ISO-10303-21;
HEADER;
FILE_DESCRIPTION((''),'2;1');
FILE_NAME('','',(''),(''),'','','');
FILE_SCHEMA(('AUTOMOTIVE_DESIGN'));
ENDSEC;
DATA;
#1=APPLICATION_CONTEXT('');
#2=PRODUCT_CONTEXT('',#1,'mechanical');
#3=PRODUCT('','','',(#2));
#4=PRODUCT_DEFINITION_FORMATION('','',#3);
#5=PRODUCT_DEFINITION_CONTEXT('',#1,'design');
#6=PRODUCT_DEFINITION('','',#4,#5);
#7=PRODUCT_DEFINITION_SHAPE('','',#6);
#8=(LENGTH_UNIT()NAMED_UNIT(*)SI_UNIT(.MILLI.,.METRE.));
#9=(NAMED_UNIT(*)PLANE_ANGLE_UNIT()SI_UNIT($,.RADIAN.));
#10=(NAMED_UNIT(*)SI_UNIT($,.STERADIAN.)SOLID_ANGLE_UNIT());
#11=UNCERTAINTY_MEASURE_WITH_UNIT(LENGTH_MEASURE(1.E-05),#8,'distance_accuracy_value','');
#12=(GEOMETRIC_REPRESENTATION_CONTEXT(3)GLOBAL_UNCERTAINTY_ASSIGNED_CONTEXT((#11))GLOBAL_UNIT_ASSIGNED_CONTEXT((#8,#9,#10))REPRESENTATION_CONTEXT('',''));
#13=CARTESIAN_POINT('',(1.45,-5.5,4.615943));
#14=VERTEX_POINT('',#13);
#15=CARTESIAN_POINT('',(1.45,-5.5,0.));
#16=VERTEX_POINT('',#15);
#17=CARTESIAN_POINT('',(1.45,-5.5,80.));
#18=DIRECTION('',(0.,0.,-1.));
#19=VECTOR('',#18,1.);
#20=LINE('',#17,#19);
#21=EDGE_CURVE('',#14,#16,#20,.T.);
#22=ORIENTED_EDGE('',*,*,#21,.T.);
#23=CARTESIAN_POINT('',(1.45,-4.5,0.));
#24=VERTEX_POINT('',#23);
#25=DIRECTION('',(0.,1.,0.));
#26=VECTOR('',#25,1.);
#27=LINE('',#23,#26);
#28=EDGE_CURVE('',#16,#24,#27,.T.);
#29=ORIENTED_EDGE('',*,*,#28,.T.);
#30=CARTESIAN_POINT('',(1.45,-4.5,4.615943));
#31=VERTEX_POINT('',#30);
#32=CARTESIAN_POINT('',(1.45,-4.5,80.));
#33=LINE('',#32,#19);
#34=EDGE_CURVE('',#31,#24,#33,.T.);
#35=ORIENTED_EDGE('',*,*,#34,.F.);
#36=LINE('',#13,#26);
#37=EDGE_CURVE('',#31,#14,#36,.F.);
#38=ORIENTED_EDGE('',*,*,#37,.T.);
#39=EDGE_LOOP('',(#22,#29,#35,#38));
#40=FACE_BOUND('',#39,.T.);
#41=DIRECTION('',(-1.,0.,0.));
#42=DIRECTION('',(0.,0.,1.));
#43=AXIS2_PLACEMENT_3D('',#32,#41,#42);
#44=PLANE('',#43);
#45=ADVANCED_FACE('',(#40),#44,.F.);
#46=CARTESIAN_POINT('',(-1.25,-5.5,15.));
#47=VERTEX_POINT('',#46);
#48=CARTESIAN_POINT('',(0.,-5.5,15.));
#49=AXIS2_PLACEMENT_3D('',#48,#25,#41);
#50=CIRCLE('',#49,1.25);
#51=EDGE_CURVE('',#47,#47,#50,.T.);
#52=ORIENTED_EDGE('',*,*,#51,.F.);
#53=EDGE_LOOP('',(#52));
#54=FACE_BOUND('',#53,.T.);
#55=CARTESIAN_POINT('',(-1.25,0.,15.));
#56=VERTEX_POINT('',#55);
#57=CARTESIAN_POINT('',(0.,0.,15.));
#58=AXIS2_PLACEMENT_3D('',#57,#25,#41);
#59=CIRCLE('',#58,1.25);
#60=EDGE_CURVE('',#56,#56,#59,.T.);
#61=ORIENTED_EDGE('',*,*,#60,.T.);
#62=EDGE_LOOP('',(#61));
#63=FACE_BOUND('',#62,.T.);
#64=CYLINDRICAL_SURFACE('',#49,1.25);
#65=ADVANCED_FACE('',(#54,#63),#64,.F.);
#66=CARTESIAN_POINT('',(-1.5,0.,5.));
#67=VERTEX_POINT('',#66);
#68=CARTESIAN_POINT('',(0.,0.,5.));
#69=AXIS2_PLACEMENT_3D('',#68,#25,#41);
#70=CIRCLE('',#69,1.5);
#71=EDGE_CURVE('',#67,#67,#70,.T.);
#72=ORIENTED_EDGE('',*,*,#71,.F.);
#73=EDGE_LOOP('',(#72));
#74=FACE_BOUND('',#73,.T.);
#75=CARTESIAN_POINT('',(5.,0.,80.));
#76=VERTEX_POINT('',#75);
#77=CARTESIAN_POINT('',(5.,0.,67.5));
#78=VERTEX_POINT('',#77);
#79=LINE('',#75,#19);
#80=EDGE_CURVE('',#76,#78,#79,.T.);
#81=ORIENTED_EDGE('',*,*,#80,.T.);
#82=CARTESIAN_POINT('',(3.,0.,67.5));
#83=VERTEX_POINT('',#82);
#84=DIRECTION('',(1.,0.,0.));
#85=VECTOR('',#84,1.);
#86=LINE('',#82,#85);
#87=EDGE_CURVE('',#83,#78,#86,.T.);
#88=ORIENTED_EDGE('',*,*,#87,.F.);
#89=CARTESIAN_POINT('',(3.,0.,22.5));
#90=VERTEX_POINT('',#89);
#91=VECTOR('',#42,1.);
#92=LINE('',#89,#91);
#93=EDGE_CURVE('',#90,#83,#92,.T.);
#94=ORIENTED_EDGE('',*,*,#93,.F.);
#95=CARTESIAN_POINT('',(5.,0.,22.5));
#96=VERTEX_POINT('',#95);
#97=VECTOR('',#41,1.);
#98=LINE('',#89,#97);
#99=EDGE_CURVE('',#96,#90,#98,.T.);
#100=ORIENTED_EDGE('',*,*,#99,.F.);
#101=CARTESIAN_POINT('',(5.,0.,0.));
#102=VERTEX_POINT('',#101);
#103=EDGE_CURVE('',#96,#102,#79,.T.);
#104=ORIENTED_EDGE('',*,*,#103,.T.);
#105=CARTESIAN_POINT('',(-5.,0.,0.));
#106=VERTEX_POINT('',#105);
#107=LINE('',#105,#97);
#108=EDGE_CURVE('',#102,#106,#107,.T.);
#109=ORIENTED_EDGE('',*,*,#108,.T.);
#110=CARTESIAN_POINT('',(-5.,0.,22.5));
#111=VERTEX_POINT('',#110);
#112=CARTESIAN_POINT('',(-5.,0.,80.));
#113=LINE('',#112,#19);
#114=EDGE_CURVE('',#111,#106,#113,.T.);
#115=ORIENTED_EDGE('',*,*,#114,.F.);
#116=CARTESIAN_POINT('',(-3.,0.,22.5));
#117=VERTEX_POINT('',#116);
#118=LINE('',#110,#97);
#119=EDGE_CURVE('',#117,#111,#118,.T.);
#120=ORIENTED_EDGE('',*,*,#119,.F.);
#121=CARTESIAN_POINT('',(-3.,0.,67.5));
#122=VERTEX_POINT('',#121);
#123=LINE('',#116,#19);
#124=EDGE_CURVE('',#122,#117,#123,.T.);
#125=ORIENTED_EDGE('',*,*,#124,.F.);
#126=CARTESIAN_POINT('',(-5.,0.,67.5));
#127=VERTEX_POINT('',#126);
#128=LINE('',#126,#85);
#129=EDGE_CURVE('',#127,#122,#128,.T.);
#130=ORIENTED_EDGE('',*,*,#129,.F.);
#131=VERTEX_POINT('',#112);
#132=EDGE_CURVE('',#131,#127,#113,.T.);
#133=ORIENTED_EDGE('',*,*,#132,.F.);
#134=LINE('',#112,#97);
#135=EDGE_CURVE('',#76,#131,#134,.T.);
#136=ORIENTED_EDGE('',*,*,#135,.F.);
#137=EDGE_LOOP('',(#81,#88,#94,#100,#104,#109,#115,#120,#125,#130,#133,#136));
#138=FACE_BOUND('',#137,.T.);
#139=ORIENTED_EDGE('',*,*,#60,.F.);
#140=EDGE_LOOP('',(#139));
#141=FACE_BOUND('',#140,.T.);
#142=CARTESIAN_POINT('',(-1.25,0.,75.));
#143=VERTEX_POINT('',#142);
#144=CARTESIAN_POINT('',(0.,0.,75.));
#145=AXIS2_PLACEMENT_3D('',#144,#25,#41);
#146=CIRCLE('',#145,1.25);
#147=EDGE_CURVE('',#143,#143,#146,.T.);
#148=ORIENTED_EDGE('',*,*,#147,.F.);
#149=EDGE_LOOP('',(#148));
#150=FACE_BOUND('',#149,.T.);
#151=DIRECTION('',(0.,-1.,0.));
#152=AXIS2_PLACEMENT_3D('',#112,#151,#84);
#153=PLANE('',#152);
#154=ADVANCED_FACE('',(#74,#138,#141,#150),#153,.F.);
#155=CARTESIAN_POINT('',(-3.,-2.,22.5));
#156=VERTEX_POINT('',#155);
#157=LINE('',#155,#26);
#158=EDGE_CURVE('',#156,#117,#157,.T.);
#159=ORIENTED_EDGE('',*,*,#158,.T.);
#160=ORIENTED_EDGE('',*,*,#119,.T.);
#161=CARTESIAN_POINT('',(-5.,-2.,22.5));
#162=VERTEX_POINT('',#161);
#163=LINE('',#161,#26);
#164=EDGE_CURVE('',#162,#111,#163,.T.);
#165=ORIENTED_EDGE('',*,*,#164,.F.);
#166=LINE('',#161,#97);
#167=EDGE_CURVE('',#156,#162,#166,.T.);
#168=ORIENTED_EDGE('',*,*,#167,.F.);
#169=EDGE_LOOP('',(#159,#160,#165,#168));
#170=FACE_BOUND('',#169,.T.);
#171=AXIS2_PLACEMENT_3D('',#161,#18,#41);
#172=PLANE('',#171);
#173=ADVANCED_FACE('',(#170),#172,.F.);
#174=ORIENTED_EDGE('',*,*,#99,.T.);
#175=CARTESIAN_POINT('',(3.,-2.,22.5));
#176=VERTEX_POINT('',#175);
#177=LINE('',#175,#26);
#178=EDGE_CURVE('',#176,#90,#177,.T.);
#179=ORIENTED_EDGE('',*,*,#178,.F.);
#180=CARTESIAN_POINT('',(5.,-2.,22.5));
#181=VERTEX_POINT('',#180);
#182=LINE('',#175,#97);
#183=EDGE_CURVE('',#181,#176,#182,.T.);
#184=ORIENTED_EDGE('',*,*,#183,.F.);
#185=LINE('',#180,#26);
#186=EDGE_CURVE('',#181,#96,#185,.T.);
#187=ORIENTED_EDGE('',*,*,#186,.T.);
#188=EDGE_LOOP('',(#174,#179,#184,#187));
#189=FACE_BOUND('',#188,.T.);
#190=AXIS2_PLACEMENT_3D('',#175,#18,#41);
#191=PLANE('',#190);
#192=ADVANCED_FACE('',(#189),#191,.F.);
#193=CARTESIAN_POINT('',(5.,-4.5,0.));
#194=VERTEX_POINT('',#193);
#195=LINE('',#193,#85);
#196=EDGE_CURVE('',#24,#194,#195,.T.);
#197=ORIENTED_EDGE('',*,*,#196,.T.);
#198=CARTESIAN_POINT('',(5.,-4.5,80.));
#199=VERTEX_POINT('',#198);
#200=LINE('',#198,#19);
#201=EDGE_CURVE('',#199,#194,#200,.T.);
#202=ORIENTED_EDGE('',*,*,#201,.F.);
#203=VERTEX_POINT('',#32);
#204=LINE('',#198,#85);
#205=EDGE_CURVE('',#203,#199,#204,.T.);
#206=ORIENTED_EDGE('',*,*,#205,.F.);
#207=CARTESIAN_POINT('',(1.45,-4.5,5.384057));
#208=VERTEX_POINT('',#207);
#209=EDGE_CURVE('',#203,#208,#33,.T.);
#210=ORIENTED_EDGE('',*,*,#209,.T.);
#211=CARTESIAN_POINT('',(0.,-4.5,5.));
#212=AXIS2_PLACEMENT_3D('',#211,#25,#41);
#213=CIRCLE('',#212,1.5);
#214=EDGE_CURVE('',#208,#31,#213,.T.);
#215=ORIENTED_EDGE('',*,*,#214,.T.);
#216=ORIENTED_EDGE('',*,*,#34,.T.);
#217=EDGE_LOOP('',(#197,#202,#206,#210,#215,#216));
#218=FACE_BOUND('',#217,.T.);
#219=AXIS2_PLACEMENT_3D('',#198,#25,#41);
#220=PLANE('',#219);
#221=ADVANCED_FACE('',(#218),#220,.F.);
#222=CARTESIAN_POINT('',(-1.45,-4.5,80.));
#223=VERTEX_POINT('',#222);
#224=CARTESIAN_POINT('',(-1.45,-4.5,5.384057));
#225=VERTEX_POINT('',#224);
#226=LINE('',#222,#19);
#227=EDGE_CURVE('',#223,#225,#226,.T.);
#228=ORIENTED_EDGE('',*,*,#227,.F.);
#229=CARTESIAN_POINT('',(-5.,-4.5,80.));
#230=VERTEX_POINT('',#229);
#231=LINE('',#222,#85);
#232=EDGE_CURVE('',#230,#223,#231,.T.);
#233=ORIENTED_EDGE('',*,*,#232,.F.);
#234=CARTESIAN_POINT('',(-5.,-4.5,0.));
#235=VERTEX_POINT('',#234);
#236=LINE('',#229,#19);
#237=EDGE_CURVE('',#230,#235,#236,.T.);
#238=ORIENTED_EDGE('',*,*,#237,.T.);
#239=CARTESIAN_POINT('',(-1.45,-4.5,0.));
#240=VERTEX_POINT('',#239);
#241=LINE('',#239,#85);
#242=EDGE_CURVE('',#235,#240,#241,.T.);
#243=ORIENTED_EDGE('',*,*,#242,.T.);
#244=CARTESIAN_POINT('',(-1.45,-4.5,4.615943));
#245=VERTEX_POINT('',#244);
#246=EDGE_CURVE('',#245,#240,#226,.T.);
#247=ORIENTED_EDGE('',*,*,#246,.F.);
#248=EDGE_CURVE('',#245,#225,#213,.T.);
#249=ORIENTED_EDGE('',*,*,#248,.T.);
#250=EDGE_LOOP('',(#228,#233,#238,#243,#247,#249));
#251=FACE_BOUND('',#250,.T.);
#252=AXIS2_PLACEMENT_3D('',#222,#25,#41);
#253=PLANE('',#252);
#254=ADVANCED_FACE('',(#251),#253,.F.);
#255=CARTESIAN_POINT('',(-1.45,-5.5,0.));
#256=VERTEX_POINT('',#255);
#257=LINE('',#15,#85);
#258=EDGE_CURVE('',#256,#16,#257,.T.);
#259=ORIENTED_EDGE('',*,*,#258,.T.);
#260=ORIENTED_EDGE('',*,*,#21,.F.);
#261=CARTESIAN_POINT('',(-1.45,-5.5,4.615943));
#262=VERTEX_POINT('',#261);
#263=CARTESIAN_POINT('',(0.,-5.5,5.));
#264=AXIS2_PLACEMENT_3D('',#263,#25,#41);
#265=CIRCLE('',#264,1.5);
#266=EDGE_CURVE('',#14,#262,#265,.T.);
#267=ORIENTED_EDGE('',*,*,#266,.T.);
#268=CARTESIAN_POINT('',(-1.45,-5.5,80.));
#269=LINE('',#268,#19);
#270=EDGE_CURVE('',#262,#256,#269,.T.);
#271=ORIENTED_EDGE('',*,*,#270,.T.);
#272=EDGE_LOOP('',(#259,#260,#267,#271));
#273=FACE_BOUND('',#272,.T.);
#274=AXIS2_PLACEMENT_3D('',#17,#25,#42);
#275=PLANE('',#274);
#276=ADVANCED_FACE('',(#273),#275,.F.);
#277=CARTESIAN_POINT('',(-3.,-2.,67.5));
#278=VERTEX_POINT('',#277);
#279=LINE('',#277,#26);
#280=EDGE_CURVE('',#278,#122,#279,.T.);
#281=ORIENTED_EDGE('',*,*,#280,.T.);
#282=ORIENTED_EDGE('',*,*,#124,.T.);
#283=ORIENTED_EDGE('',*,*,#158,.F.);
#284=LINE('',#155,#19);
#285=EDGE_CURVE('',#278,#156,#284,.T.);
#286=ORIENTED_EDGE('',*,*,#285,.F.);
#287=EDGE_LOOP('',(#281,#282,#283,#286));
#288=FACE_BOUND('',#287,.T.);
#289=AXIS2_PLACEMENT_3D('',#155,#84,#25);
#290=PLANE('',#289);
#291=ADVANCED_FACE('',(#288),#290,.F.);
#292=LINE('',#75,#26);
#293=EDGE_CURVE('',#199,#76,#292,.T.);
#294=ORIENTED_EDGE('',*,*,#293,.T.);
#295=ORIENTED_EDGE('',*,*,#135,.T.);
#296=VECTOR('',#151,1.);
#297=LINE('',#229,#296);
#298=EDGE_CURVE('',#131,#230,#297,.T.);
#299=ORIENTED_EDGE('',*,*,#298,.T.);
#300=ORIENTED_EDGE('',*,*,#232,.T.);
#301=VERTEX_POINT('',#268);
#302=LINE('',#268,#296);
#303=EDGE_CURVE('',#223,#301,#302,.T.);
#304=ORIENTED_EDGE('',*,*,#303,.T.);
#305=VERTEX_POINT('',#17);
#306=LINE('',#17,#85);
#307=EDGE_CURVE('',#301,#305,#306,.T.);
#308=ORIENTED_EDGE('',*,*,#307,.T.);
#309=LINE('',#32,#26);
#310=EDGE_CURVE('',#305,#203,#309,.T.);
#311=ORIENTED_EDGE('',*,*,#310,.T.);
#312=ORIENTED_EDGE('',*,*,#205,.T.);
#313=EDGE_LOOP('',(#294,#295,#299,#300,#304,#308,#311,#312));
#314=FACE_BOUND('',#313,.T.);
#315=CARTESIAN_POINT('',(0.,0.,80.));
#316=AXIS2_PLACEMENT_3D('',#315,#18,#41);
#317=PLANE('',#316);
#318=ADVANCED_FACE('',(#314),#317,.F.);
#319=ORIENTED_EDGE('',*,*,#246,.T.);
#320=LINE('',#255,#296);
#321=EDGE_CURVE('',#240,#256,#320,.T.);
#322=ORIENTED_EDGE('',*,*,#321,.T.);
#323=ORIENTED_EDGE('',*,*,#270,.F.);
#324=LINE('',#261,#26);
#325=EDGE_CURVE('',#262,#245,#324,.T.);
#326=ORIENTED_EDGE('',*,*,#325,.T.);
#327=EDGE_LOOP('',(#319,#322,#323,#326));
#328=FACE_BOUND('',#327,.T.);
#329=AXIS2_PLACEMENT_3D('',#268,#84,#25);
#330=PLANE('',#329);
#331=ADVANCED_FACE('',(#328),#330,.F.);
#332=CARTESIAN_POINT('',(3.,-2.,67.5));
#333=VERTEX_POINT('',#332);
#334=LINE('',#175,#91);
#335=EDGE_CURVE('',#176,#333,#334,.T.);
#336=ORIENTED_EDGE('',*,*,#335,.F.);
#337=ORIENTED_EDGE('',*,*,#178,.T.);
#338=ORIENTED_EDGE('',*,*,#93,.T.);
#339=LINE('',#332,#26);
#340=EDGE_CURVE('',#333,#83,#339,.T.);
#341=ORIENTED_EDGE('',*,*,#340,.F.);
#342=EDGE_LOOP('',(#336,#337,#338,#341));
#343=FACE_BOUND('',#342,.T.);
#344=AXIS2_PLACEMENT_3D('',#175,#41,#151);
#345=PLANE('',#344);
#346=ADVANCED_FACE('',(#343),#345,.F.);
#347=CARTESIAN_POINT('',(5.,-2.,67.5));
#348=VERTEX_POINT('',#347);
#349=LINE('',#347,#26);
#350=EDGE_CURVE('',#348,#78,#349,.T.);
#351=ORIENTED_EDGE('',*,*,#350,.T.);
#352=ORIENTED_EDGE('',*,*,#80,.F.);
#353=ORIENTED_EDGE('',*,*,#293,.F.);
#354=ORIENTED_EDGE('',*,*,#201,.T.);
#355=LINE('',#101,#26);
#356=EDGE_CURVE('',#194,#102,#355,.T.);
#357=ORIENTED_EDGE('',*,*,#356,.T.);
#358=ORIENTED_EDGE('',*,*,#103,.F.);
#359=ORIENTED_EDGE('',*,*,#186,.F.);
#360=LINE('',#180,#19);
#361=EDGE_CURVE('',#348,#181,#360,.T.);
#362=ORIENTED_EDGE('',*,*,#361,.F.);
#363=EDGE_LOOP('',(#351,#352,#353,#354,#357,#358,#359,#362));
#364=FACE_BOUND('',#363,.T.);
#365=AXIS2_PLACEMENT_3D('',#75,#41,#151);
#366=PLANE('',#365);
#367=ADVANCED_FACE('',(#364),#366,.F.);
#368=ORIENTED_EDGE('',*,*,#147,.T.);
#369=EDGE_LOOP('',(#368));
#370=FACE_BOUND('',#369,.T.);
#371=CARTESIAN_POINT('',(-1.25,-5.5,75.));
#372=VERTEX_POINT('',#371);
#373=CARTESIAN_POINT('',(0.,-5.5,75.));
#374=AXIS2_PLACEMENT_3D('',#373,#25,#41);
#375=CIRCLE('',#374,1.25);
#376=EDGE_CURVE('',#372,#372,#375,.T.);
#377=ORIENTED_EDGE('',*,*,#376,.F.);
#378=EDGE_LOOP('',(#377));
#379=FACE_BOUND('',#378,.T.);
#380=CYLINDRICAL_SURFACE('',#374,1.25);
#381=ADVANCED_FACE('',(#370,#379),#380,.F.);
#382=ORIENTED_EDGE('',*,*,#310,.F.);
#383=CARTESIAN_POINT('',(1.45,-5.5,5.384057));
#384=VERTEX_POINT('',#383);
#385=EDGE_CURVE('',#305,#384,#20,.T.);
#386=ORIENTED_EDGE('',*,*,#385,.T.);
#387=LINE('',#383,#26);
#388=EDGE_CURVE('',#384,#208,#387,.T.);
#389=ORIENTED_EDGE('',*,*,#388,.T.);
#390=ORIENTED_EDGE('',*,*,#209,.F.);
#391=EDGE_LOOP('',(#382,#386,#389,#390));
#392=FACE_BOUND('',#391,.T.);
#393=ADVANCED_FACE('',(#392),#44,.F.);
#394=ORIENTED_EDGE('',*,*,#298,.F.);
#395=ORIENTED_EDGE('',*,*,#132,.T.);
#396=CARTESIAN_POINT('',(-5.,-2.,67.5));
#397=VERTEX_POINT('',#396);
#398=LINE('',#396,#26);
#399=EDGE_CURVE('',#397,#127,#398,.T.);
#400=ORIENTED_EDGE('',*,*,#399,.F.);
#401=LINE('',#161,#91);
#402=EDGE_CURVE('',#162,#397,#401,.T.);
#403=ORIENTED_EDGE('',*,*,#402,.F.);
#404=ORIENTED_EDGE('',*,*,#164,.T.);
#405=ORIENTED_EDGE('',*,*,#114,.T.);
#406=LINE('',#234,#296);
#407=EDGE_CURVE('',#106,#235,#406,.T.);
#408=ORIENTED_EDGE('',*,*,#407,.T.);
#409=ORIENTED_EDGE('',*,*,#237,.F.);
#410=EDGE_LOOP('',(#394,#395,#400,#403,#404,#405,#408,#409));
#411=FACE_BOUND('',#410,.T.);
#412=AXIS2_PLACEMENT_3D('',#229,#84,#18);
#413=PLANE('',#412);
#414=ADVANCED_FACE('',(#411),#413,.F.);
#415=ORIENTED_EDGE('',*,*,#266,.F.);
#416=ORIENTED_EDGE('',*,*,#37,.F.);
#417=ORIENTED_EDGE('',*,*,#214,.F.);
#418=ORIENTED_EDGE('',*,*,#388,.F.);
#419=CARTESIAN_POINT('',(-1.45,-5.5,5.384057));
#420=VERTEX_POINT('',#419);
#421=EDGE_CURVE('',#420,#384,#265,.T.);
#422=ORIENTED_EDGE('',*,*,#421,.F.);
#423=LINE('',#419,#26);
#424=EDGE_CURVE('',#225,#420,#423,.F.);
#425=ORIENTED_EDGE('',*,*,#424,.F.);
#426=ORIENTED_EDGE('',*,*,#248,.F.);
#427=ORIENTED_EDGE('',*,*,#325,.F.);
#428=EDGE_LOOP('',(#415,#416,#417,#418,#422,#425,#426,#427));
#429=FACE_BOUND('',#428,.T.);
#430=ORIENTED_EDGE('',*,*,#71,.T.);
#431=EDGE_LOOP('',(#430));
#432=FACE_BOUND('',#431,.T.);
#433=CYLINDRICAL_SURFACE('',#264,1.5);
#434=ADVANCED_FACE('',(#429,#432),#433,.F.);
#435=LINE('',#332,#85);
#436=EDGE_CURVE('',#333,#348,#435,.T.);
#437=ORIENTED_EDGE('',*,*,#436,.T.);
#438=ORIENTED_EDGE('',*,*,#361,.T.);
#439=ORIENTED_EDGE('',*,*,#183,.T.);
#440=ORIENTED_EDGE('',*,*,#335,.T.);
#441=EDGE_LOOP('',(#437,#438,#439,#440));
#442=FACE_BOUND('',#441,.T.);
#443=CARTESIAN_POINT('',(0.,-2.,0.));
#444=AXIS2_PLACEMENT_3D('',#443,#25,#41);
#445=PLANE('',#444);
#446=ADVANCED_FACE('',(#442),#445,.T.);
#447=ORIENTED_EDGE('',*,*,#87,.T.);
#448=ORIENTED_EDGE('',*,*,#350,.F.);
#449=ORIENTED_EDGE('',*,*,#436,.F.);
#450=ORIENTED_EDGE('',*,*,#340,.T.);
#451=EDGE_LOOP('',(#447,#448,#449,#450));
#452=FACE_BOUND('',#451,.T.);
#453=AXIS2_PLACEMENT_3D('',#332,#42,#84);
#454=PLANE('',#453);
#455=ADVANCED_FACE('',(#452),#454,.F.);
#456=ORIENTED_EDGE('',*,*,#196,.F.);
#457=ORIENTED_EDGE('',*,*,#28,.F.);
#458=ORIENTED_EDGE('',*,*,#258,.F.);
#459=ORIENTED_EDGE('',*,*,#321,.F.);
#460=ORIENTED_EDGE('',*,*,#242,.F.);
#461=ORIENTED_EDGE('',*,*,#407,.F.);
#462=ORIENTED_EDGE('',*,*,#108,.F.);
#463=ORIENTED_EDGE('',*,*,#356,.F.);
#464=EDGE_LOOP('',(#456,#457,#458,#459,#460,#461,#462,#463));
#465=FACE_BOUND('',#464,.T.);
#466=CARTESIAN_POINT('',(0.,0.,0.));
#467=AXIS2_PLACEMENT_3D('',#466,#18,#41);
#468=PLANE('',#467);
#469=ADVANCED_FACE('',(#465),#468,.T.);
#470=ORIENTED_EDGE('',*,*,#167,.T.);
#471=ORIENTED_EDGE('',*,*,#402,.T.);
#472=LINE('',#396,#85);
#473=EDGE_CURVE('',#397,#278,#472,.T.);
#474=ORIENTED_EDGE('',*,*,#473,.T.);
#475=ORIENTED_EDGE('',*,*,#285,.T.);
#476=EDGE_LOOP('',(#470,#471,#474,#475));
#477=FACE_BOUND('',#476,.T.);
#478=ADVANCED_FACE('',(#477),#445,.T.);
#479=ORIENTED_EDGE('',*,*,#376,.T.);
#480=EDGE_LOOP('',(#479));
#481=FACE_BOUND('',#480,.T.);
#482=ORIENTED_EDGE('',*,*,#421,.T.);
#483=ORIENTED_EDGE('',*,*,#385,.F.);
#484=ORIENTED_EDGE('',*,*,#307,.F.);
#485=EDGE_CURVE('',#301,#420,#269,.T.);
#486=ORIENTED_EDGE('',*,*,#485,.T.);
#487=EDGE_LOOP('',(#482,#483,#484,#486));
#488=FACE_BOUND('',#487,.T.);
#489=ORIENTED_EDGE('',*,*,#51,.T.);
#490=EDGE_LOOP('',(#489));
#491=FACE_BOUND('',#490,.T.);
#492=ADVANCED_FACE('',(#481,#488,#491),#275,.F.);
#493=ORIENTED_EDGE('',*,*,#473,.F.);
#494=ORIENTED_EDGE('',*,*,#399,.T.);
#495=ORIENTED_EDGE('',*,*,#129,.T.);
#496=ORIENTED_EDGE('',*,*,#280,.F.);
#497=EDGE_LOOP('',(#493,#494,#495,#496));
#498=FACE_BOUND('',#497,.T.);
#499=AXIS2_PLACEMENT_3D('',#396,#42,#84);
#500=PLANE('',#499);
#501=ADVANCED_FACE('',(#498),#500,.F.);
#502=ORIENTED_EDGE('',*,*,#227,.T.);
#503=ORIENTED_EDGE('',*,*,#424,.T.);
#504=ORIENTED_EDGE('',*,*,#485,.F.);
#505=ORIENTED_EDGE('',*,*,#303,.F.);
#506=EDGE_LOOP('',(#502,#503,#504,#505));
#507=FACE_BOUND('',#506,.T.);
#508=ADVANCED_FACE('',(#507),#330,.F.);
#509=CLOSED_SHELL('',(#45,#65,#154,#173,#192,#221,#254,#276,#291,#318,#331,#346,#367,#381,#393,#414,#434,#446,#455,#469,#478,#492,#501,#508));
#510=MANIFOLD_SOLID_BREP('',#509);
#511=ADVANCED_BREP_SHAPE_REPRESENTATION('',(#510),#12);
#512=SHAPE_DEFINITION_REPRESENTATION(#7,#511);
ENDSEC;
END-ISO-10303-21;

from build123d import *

# Parameters (mm, degrees)
MAIN_DEPTH             = 80
SKETCH2_R              = 1.25
SKETCH2_R_2            = 1.5
MAKERBEAMFIXHOLE_DEPTH = 6.5
SKETCH3_W              = 2
SKETCH3_H              = 45
PINHOLES_DEPTH         = 2


with BuildPart() as part:
    # Sketch1 → Main (new body)
    with BuildSketch(Plane.XY):
        Polygon((-5, 0), (5, 0), (5, -4.5), (1.45, -4.5), (1.45, -5.5), (-1.45, -5.5), (-1.45, -4.5), (-5, -4.5), align=None)
    extrude(amount=MAIN_DEPTH)

    # Sketch2 → MakerBeamFixHole (cut, through all)
    with BuildSketch(Plane(origin=(0, 0, 0), x_dir=(1, 0, 0), z_dir=(0, 1, 0))):
        with Locations((0, -75)):
            Circle(SKETCH2_R)
        with Locations((0, -15)):
            Circle(SKETCH2_R)
        with Locations((0, -5)):
            Circle(SKETCH2_R_2)
    extrude(amount=-MAKERBEAMFIXHOLE_DEPTH, mode=Mode.SUBTRACT)

    # Sketch3 → PinHoles (cut)
    with BuildSketch(Plane(origin=(0, 0, 0), x_dir=(1, 0, 0), z_dir=(0, 1, 0))):
        with Locations((-4, -45)):
            Rectangle(SKETCH3_W, SKETCH3_H)
        with Locations((4, -45)):
            Rectangle(SKETCH3_W, SKETCH3_H)
    extrude(amount=-PINHOLES_DEPTH, mode=Mode.SUBTRACT)


solid = part.part
